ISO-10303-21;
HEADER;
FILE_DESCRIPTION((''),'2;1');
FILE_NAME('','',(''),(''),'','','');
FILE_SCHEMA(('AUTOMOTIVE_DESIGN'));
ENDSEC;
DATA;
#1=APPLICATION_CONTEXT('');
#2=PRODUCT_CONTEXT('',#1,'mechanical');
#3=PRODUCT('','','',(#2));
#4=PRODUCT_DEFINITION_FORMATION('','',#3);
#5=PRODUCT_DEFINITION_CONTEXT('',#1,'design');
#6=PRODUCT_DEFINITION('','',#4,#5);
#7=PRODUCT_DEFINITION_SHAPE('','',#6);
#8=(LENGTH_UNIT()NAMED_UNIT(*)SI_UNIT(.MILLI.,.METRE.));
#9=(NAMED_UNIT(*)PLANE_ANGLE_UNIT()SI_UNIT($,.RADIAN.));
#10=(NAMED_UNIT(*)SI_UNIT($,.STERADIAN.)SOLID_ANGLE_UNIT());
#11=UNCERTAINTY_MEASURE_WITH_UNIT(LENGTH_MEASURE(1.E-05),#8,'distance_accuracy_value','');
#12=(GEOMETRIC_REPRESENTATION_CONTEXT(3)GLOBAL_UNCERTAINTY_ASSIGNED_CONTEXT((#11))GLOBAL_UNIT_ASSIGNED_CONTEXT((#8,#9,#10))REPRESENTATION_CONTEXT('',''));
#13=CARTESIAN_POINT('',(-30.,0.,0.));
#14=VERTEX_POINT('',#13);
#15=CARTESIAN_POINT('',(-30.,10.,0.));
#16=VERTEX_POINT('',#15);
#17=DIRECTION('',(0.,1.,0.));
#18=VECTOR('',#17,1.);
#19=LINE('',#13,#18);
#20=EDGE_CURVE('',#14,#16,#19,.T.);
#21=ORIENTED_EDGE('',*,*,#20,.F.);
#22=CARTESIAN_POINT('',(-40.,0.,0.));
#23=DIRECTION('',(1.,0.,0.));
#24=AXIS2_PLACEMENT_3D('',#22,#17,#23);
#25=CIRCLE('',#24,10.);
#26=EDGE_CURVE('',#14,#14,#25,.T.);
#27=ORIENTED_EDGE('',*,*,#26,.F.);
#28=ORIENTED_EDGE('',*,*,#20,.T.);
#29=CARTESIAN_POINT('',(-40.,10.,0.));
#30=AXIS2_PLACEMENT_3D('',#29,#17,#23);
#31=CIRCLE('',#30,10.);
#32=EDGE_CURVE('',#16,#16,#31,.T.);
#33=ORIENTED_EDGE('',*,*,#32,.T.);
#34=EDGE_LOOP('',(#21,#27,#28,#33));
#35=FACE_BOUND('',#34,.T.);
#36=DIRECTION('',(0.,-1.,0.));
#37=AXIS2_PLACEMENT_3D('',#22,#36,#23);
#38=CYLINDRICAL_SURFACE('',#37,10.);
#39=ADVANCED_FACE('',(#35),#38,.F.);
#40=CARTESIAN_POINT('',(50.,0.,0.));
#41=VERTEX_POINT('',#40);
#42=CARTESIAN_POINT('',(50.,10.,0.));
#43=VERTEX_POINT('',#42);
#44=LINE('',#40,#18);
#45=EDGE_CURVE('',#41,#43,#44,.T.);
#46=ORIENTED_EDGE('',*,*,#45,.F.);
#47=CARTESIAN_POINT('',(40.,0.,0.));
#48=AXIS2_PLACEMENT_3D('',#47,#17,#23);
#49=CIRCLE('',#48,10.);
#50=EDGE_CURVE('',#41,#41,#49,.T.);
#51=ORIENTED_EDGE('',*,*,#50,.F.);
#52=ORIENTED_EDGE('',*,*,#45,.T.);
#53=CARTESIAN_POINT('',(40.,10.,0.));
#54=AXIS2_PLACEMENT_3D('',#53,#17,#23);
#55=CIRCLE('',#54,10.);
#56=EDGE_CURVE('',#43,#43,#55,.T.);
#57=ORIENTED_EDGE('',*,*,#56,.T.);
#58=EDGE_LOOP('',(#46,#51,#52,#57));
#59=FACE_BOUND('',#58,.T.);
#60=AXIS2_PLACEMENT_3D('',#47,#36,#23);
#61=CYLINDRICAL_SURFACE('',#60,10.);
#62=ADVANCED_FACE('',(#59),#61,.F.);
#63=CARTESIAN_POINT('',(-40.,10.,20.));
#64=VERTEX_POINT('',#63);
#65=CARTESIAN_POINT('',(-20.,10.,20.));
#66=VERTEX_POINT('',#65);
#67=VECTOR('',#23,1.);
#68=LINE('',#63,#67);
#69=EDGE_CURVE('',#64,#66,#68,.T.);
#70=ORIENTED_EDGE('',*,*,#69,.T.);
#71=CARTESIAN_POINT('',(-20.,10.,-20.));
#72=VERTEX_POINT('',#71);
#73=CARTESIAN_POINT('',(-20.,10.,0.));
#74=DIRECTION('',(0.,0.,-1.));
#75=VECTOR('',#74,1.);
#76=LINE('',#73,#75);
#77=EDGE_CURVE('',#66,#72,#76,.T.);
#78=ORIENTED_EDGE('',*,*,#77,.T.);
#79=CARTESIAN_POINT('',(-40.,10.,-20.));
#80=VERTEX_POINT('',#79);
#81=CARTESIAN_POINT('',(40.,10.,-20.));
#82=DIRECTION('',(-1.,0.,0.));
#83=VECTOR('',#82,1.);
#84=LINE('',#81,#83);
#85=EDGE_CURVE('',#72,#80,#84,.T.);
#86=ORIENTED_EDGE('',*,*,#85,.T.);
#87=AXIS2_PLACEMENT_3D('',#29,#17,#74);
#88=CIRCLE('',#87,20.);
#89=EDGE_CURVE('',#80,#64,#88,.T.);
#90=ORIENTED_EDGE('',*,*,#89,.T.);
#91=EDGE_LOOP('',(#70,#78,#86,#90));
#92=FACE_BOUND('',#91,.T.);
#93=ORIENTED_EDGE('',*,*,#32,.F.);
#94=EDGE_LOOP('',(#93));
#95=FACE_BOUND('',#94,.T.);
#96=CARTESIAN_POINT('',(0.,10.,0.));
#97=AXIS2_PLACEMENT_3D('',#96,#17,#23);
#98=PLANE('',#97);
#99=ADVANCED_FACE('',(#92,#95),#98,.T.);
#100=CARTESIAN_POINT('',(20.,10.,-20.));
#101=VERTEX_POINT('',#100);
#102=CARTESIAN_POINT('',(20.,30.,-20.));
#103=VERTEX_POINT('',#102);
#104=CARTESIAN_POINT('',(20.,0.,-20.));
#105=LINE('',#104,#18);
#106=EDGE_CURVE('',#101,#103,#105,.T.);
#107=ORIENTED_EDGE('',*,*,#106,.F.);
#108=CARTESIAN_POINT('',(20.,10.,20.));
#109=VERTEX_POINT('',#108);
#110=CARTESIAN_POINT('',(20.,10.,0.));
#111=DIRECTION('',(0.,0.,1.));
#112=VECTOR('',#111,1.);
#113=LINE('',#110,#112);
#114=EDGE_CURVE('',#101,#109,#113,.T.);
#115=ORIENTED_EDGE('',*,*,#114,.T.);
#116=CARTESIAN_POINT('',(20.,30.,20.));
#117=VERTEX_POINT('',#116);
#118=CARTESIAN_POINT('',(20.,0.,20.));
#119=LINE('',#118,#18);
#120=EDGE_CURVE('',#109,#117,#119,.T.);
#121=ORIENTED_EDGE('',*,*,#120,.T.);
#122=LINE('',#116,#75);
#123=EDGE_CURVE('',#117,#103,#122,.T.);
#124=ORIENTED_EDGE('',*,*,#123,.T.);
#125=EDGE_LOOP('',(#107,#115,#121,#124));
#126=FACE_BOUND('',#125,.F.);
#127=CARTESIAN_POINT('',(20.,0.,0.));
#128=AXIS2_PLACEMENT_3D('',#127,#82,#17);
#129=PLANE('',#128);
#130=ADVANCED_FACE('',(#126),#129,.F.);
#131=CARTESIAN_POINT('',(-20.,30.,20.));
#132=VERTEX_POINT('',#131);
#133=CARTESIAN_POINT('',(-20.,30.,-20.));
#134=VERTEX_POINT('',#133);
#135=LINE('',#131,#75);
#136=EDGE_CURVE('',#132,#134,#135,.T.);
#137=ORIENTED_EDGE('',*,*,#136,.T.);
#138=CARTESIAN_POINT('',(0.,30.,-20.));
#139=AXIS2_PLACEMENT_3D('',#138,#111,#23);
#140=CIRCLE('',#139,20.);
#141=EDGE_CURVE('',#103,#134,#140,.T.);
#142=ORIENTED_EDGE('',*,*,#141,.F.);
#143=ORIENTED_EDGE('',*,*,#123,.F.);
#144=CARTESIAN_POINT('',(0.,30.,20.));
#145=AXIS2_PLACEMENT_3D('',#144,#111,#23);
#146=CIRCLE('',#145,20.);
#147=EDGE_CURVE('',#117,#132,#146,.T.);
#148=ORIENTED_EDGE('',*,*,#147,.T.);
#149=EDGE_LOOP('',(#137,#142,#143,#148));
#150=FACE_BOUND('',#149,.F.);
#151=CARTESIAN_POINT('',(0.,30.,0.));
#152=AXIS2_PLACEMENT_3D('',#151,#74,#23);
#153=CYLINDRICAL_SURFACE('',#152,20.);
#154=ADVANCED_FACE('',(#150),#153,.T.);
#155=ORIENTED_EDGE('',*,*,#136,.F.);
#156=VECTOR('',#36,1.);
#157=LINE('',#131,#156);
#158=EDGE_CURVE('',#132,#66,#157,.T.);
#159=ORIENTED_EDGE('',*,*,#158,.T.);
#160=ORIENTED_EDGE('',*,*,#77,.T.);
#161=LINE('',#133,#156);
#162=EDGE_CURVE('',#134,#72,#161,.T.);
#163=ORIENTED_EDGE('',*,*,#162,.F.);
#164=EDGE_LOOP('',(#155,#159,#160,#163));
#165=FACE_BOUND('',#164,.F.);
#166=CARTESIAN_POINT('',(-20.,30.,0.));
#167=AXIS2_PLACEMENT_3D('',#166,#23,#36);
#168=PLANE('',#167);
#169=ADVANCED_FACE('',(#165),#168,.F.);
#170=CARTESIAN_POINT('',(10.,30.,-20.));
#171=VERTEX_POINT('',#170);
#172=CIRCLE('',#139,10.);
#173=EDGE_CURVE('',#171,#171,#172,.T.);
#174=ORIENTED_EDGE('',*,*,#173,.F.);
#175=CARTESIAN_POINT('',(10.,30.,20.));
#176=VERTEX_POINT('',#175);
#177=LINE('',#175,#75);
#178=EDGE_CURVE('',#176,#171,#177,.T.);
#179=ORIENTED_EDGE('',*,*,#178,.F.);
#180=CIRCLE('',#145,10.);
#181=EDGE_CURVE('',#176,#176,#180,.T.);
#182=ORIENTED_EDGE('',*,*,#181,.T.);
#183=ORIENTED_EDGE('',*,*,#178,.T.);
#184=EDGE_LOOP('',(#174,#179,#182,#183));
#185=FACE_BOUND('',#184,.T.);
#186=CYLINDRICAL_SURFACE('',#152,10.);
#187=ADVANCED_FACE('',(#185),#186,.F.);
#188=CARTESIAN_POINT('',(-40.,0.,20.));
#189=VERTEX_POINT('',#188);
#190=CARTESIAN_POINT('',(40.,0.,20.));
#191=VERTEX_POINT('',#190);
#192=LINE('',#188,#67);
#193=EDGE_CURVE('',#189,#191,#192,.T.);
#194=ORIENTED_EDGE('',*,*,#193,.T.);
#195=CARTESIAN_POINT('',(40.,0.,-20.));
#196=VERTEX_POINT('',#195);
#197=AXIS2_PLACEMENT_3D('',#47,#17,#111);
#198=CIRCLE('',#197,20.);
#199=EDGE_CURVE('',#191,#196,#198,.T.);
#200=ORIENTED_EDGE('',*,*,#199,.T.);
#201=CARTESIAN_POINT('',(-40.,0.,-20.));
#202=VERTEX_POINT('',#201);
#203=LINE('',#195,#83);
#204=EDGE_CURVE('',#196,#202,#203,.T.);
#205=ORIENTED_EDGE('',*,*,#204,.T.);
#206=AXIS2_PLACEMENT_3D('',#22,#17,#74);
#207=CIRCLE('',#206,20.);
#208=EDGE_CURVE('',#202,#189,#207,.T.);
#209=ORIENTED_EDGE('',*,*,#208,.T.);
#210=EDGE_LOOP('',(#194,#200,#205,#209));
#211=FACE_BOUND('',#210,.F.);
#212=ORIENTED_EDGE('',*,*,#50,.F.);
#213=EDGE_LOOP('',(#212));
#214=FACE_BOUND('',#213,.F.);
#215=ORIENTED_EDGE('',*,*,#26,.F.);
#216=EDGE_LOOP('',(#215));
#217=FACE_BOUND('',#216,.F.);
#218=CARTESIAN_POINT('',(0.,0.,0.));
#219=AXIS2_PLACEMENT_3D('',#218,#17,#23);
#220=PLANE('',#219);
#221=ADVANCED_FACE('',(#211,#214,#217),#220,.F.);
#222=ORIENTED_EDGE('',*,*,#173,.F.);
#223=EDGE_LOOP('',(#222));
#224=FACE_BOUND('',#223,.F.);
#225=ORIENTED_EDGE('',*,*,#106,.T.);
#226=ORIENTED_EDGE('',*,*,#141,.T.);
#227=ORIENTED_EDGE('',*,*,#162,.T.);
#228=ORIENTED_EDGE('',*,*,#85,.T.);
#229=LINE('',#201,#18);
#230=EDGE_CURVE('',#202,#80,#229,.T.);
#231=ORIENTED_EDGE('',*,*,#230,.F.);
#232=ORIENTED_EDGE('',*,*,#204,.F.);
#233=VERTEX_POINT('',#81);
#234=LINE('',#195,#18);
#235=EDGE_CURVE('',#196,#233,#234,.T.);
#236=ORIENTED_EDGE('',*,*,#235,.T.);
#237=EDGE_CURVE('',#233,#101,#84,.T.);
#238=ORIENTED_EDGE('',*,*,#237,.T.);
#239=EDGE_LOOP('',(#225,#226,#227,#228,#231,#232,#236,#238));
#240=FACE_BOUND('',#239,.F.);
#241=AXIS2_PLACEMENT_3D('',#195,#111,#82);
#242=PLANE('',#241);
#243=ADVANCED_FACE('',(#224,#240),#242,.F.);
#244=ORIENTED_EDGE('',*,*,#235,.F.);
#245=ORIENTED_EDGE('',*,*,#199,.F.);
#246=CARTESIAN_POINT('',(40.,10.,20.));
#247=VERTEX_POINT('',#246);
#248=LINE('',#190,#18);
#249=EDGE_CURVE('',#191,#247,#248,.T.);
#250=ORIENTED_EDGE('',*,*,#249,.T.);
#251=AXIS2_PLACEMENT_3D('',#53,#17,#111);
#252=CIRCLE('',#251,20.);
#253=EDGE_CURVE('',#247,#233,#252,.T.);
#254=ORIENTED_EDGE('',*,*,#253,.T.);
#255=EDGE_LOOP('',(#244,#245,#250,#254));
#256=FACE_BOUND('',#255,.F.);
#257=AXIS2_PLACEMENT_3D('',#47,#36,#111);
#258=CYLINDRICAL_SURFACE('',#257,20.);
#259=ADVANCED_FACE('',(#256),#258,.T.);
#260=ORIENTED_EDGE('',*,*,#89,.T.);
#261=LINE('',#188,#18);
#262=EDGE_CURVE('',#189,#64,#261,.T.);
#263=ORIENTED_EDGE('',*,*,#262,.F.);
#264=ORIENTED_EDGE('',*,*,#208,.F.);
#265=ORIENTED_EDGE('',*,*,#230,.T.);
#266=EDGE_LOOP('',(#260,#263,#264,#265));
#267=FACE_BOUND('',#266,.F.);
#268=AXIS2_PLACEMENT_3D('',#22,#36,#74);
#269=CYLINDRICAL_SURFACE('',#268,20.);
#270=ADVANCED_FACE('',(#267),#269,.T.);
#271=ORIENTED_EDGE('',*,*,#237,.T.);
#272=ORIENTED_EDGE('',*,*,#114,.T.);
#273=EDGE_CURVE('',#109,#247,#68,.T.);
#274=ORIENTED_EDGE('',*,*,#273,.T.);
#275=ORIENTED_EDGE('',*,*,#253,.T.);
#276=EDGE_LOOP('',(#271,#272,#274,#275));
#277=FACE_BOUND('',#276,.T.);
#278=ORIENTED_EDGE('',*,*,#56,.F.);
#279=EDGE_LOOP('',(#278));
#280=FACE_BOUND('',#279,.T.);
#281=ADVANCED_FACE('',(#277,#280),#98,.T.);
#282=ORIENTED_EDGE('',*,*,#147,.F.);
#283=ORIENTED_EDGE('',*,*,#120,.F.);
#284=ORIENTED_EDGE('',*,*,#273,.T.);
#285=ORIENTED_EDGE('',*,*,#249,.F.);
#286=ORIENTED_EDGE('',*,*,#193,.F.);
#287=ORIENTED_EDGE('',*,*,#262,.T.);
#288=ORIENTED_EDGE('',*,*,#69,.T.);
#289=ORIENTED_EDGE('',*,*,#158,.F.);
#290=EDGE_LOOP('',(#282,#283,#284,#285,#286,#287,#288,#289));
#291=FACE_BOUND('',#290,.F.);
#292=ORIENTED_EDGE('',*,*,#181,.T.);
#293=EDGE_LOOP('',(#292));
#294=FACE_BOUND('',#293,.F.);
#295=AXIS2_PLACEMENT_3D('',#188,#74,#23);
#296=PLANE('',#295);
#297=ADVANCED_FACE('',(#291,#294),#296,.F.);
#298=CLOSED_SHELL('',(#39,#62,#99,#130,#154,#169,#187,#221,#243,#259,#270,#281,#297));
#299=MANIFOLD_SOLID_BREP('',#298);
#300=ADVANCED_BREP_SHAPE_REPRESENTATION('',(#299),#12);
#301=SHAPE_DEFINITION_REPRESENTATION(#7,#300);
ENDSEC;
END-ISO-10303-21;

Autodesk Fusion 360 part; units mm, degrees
sketch "Bottom part" plane through (0, 0, 0) normal (0, 1, 0) x (1, 0, 0)
  line L0 (-40, -20) -> (40, -20)
  line L1 (40, 20) -> (-40, 20)
  circle A0 centre (40, 0) radius 10
  circle A1 centre (-40, 0) radius 10
  arc A2 (40, -20) -> (40, 20) centre (40, 0) ccw
  arc A3 (-40, 20) -> (-40, -20) centre (-40, 0) ccw
  dimension "d1" = 80
  dimension "d2" = 40
  dimension "d6" = 40
  dimension "d7" = 40
extrude "Extrude1" add sketch "Bottom part" along normal blind 10
sketch "Vertical Part" plane through (0, 0, 0) normal (0, 0, 1) x (1, 0, 0)
  line L0 (-20, 0) -> (20, 0)
  line L1 (20, 0) -> (20, 30)
  line L2 (-20, 30) -> (-20, 0)
  line L3 (-40, 0) -> (-40, 10)
  circle A0 centre (0, 30) radius 10
  arc A1 (20, 30) -> (-20, 30) centre (0, 30) ccw
  dimension "d12" = 40
  dimension "d13" = 30
  dimension "d14" = 20
  dimension "d17" = 20
  dimension "d18" = 20
extrude "Extrude2" add sketch "Vertical Part" along normal mid plane 40
